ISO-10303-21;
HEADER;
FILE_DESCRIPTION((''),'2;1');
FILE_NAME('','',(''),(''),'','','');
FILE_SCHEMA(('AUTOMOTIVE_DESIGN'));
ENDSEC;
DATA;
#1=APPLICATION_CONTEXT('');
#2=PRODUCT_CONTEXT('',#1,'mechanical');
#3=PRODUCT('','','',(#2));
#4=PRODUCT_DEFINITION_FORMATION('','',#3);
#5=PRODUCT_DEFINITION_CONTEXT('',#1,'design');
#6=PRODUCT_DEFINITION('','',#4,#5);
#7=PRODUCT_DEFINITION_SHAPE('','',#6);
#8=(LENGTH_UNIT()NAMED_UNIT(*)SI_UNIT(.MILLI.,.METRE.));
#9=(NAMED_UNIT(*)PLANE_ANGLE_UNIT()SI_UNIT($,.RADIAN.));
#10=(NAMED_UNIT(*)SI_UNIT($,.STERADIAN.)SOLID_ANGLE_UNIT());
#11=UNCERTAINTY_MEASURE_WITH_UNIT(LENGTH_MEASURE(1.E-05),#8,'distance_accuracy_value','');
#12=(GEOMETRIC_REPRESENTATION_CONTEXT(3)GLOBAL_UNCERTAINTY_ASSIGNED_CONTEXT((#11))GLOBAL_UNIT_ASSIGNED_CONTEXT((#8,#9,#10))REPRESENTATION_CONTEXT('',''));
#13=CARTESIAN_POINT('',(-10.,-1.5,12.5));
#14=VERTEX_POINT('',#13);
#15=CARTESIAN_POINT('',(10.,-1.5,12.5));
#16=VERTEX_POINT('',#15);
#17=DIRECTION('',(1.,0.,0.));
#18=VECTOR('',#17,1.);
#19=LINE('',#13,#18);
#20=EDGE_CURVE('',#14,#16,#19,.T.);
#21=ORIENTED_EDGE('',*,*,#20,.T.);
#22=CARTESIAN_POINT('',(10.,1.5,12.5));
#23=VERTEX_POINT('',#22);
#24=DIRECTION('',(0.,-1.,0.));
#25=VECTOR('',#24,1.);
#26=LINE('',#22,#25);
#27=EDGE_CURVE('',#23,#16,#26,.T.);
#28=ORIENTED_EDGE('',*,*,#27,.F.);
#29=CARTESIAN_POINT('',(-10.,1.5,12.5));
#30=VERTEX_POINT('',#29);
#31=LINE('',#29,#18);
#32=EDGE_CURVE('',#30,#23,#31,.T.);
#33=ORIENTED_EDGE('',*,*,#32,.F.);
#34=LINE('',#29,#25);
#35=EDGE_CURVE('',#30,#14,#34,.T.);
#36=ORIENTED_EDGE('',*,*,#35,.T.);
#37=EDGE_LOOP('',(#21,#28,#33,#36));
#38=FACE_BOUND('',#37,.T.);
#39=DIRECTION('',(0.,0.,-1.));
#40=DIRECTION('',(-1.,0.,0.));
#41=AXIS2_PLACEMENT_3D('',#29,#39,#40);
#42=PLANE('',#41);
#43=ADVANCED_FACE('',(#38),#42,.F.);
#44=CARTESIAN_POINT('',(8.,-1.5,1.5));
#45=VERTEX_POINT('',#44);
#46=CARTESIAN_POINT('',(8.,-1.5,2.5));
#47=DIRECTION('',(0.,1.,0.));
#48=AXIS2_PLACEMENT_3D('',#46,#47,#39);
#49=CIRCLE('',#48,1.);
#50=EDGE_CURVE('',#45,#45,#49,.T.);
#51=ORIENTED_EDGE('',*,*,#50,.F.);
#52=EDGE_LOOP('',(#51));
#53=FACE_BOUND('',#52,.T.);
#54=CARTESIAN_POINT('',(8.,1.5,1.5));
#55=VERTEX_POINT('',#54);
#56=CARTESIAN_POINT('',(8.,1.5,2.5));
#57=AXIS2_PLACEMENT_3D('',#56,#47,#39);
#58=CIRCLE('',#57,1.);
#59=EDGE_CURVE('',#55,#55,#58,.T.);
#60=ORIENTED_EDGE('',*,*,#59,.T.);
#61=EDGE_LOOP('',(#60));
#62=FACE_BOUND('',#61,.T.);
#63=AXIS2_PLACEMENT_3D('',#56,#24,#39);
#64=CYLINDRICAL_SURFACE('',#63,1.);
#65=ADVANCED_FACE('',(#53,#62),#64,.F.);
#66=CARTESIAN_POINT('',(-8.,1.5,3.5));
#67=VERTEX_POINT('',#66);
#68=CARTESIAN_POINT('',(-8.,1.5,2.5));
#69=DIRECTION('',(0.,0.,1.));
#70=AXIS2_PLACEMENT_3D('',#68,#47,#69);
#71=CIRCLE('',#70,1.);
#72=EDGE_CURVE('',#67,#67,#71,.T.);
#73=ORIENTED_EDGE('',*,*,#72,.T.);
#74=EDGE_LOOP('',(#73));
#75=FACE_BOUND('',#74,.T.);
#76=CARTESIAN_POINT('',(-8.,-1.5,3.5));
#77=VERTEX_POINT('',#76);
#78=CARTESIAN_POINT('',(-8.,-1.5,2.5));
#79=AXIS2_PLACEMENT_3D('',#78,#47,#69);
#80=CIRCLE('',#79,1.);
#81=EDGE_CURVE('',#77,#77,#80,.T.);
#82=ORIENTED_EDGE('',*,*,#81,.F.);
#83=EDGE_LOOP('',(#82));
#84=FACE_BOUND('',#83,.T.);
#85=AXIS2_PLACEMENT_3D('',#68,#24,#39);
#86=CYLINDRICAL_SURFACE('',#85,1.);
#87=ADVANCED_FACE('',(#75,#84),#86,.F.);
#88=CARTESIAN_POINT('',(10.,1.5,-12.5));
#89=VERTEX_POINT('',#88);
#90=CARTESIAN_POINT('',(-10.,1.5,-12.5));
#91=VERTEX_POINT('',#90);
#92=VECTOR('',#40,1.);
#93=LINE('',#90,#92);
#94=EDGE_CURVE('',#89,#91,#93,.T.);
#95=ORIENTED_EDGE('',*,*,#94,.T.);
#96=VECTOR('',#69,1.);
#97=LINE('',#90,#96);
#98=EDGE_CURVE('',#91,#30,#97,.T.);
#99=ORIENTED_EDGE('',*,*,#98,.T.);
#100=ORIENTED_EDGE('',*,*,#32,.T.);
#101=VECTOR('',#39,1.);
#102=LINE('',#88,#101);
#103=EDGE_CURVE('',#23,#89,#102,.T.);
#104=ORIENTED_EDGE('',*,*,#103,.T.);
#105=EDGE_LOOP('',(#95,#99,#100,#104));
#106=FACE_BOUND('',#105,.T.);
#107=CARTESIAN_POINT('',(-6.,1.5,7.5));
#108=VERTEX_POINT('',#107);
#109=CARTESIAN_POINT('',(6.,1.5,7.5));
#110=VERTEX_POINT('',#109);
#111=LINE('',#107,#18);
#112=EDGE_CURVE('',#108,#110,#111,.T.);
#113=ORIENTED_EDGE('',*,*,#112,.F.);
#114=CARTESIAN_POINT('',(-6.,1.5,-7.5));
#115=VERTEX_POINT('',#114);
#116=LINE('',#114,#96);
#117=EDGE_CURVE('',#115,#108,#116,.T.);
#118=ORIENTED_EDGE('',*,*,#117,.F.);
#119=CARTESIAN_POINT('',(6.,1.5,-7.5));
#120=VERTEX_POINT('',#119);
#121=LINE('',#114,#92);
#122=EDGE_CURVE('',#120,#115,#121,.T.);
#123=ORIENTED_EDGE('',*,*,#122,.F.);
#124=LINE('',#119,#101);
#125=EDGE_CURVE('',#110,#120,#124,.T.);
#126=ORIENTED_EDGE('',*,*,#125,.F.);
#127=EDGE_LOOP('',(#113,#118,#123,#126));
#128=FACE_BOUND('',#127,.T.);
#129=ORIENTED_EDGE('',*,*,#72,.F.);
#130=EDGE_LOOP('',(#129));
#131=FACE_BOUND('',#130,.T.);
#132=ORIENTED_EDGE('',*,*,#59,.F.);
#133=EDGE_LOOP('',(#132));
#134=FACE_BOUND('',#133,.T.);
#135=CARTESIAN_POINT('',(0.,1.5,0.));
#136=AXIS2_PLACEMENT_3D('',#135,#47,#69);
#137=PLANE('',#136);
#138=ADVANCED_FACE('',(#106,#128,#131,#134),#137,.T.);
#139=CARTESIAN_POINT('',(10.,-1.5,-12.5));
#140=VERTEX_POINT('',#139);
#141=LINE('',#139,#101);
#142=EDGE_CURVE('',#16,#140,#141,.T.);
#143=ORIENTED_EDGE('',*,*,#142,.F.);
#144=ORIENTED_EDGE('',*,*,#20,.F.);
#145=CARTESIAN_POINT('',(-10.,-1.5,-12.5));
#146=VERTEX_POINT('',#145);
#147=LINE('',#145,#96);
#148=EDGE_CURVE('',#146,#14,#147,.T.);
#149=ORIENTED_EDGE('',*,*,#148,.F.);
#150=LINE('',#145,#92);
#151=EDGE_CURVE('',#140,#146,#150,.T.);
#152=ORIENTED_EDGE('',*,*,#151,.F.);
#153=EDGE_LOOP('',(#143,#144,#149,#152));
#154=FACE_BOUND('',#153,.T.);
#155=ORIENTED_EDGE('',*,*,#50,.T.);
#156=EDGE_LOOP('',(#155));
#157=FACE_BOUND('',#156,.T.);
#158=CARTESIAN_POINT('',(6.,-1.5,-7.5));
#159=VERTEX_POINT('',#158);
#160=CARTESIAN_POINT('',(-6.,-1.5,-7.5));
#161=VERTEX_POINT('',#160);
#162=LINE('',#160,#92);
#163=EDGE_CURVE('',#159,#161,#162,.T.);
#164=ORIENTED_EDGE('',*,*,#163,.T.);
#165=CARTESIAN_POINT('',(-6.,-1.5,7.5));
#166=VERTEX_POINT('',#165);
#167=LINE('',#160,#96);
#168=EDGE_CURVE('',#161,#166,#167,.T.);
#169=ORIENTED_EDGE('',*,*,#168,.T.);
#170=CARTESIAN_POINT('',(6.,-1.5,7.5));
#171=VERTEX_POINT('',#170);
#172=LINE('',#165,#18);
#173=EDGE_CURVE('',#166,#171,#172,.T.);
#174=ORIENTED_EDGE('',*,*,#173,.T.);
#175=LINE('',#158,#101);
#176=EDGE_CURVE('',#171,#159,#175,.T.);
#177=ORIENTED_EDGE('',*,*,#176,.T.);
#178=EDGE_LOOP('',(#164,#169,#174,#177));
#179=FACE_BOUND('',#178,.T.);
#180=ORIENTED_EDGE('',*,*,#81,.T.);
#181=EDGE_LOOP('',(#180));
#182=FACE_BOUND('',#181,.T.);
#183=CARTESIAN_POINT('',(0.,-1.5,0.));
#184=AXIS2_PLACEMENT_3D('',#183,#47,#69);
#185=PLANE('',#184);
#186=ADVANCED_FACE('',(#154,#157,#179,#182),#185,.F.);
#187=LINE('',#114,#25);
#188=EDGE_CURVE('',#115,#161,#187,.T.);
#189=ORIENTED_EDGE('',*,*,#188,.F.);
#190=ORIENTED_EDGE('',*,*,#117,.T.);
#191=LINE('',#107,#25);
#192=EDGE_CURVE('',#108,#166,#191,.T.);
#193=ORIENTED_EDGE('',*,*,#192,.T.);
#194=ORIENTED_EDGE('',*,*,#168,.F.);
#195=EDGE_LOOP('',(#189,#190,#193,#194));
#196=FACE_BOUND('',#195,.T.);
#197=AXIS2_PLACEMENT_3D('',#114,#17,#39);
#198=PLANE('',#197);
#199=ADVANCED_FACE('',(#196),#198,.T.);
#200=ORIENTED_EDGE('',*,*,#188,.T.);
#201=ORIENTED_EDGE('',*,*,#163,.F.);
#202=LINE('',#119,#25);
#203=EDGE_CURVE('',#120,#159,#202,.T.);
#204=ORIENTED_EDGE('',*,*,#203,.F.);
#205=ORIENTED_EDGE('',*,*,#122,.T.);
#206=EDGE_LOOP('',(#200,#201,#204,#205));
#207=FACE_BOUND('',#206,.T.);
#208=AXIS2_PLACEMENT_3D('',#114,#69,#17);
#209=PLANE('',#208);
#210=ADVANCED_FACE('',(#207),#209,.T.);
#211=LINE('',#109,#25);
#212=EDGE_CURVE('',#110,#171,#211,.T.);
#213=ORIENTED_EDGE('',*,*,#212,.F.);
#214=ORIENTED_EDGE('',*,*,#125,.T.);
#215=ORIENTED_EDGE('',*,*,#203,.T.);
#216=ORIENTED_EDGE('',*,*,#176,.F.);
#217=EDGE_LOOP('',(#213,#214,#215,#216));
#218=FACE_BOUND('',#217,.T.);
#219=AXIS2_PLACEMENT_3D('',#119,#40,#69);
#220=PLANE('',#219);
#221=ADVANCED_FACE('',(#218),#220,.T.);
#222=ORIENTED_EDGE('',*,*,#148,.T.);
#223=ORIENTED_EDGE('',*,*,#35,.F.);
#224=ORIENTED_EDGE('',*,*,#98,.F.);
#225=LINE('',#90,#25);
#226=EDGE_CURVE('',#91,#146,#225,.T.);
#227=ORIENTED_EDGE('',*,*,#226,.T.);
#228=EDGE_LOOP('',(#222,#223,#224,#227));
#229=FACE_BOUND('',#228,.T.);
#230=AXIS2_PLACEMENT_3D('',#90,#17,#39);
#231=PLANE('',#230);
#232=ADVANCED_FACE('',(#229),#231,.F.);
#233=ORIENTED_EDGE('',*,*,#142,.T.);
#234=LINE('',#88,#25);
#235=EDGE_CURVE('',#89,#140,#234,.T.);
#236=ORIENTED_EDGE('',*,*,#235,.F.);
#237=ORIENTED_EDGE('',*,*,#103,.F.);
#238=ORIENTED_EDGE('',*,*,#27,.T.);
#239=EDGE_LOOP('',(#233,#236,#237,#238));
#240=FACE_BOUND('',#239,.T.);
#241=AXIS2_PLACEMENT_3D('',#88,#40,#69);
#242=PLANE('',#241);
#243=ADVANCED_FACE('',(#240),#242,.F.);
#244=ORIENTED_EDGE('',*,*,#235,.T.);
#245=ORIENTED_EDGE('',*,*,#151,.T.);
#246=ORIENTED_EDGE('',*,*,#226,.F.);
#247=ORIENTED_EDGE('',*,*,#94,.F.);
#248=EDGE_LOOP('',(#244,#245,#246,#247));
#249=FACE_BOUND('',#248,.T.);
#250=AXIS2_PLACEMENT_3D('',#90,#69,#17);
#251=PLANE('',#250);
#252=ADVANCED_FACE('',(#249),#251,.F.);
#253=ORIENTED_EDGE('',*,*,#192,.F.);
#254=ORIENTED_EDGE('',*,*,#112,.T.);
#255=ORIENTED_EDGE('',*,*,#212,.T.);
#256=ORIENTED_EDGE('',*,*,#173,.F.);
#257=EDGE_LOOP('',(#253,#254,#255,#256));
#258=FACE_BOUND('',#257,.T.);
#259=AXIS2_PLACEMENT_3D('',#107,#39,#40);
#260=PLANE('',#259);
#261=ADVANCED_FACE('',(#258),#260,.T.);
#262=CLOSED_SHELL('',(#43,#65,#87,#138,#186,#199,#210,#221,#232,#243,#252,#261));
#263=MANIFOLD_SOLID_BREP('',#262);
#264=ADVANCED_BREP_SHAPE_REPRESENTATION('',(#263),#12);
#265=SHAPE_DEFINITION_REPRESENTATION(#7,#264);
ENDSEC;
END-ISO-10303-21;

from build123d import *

# Parameters (mm, degrees)
SKETCH1_W           = 20
SKETCH1_H           = 25
SKETCH1_R           = 1
SKETCH1_W_2         = 12
SKETCH1_H_2         = 15
BOSS_EXTRUDE1_DEPTH = 1.5


with BuildPart() as part:
    # Sketch1 → Boss-Extrude1 (new, symmetric)
    with BuildSketch(Plane(origin=(0, 0, 0), x_dir=(1, 0, 0), z_dir=(0, 1, 0))):
        Rectangle(SKETCH1_W, SKETCH1_H)
        with Locations(Location((-8, -2.5, 0), (0, 0, 270))):
            Circle(SKETCH1_R, mode=Mode.SUBTRACT)
        with Locations(Location((8, -2.5, 0), (0, 0, 90))):
            Circle(SKETCH1_R, mode=Mode.SUBTRACT)
        Rectangle(SKETCH1_W_2, SKETCH1_H_2, mode=Mode.SUBTRACT)
    extrude(amount=BOSS_EXTRUDE1_DEPTH, both=True)


solid = part.part
